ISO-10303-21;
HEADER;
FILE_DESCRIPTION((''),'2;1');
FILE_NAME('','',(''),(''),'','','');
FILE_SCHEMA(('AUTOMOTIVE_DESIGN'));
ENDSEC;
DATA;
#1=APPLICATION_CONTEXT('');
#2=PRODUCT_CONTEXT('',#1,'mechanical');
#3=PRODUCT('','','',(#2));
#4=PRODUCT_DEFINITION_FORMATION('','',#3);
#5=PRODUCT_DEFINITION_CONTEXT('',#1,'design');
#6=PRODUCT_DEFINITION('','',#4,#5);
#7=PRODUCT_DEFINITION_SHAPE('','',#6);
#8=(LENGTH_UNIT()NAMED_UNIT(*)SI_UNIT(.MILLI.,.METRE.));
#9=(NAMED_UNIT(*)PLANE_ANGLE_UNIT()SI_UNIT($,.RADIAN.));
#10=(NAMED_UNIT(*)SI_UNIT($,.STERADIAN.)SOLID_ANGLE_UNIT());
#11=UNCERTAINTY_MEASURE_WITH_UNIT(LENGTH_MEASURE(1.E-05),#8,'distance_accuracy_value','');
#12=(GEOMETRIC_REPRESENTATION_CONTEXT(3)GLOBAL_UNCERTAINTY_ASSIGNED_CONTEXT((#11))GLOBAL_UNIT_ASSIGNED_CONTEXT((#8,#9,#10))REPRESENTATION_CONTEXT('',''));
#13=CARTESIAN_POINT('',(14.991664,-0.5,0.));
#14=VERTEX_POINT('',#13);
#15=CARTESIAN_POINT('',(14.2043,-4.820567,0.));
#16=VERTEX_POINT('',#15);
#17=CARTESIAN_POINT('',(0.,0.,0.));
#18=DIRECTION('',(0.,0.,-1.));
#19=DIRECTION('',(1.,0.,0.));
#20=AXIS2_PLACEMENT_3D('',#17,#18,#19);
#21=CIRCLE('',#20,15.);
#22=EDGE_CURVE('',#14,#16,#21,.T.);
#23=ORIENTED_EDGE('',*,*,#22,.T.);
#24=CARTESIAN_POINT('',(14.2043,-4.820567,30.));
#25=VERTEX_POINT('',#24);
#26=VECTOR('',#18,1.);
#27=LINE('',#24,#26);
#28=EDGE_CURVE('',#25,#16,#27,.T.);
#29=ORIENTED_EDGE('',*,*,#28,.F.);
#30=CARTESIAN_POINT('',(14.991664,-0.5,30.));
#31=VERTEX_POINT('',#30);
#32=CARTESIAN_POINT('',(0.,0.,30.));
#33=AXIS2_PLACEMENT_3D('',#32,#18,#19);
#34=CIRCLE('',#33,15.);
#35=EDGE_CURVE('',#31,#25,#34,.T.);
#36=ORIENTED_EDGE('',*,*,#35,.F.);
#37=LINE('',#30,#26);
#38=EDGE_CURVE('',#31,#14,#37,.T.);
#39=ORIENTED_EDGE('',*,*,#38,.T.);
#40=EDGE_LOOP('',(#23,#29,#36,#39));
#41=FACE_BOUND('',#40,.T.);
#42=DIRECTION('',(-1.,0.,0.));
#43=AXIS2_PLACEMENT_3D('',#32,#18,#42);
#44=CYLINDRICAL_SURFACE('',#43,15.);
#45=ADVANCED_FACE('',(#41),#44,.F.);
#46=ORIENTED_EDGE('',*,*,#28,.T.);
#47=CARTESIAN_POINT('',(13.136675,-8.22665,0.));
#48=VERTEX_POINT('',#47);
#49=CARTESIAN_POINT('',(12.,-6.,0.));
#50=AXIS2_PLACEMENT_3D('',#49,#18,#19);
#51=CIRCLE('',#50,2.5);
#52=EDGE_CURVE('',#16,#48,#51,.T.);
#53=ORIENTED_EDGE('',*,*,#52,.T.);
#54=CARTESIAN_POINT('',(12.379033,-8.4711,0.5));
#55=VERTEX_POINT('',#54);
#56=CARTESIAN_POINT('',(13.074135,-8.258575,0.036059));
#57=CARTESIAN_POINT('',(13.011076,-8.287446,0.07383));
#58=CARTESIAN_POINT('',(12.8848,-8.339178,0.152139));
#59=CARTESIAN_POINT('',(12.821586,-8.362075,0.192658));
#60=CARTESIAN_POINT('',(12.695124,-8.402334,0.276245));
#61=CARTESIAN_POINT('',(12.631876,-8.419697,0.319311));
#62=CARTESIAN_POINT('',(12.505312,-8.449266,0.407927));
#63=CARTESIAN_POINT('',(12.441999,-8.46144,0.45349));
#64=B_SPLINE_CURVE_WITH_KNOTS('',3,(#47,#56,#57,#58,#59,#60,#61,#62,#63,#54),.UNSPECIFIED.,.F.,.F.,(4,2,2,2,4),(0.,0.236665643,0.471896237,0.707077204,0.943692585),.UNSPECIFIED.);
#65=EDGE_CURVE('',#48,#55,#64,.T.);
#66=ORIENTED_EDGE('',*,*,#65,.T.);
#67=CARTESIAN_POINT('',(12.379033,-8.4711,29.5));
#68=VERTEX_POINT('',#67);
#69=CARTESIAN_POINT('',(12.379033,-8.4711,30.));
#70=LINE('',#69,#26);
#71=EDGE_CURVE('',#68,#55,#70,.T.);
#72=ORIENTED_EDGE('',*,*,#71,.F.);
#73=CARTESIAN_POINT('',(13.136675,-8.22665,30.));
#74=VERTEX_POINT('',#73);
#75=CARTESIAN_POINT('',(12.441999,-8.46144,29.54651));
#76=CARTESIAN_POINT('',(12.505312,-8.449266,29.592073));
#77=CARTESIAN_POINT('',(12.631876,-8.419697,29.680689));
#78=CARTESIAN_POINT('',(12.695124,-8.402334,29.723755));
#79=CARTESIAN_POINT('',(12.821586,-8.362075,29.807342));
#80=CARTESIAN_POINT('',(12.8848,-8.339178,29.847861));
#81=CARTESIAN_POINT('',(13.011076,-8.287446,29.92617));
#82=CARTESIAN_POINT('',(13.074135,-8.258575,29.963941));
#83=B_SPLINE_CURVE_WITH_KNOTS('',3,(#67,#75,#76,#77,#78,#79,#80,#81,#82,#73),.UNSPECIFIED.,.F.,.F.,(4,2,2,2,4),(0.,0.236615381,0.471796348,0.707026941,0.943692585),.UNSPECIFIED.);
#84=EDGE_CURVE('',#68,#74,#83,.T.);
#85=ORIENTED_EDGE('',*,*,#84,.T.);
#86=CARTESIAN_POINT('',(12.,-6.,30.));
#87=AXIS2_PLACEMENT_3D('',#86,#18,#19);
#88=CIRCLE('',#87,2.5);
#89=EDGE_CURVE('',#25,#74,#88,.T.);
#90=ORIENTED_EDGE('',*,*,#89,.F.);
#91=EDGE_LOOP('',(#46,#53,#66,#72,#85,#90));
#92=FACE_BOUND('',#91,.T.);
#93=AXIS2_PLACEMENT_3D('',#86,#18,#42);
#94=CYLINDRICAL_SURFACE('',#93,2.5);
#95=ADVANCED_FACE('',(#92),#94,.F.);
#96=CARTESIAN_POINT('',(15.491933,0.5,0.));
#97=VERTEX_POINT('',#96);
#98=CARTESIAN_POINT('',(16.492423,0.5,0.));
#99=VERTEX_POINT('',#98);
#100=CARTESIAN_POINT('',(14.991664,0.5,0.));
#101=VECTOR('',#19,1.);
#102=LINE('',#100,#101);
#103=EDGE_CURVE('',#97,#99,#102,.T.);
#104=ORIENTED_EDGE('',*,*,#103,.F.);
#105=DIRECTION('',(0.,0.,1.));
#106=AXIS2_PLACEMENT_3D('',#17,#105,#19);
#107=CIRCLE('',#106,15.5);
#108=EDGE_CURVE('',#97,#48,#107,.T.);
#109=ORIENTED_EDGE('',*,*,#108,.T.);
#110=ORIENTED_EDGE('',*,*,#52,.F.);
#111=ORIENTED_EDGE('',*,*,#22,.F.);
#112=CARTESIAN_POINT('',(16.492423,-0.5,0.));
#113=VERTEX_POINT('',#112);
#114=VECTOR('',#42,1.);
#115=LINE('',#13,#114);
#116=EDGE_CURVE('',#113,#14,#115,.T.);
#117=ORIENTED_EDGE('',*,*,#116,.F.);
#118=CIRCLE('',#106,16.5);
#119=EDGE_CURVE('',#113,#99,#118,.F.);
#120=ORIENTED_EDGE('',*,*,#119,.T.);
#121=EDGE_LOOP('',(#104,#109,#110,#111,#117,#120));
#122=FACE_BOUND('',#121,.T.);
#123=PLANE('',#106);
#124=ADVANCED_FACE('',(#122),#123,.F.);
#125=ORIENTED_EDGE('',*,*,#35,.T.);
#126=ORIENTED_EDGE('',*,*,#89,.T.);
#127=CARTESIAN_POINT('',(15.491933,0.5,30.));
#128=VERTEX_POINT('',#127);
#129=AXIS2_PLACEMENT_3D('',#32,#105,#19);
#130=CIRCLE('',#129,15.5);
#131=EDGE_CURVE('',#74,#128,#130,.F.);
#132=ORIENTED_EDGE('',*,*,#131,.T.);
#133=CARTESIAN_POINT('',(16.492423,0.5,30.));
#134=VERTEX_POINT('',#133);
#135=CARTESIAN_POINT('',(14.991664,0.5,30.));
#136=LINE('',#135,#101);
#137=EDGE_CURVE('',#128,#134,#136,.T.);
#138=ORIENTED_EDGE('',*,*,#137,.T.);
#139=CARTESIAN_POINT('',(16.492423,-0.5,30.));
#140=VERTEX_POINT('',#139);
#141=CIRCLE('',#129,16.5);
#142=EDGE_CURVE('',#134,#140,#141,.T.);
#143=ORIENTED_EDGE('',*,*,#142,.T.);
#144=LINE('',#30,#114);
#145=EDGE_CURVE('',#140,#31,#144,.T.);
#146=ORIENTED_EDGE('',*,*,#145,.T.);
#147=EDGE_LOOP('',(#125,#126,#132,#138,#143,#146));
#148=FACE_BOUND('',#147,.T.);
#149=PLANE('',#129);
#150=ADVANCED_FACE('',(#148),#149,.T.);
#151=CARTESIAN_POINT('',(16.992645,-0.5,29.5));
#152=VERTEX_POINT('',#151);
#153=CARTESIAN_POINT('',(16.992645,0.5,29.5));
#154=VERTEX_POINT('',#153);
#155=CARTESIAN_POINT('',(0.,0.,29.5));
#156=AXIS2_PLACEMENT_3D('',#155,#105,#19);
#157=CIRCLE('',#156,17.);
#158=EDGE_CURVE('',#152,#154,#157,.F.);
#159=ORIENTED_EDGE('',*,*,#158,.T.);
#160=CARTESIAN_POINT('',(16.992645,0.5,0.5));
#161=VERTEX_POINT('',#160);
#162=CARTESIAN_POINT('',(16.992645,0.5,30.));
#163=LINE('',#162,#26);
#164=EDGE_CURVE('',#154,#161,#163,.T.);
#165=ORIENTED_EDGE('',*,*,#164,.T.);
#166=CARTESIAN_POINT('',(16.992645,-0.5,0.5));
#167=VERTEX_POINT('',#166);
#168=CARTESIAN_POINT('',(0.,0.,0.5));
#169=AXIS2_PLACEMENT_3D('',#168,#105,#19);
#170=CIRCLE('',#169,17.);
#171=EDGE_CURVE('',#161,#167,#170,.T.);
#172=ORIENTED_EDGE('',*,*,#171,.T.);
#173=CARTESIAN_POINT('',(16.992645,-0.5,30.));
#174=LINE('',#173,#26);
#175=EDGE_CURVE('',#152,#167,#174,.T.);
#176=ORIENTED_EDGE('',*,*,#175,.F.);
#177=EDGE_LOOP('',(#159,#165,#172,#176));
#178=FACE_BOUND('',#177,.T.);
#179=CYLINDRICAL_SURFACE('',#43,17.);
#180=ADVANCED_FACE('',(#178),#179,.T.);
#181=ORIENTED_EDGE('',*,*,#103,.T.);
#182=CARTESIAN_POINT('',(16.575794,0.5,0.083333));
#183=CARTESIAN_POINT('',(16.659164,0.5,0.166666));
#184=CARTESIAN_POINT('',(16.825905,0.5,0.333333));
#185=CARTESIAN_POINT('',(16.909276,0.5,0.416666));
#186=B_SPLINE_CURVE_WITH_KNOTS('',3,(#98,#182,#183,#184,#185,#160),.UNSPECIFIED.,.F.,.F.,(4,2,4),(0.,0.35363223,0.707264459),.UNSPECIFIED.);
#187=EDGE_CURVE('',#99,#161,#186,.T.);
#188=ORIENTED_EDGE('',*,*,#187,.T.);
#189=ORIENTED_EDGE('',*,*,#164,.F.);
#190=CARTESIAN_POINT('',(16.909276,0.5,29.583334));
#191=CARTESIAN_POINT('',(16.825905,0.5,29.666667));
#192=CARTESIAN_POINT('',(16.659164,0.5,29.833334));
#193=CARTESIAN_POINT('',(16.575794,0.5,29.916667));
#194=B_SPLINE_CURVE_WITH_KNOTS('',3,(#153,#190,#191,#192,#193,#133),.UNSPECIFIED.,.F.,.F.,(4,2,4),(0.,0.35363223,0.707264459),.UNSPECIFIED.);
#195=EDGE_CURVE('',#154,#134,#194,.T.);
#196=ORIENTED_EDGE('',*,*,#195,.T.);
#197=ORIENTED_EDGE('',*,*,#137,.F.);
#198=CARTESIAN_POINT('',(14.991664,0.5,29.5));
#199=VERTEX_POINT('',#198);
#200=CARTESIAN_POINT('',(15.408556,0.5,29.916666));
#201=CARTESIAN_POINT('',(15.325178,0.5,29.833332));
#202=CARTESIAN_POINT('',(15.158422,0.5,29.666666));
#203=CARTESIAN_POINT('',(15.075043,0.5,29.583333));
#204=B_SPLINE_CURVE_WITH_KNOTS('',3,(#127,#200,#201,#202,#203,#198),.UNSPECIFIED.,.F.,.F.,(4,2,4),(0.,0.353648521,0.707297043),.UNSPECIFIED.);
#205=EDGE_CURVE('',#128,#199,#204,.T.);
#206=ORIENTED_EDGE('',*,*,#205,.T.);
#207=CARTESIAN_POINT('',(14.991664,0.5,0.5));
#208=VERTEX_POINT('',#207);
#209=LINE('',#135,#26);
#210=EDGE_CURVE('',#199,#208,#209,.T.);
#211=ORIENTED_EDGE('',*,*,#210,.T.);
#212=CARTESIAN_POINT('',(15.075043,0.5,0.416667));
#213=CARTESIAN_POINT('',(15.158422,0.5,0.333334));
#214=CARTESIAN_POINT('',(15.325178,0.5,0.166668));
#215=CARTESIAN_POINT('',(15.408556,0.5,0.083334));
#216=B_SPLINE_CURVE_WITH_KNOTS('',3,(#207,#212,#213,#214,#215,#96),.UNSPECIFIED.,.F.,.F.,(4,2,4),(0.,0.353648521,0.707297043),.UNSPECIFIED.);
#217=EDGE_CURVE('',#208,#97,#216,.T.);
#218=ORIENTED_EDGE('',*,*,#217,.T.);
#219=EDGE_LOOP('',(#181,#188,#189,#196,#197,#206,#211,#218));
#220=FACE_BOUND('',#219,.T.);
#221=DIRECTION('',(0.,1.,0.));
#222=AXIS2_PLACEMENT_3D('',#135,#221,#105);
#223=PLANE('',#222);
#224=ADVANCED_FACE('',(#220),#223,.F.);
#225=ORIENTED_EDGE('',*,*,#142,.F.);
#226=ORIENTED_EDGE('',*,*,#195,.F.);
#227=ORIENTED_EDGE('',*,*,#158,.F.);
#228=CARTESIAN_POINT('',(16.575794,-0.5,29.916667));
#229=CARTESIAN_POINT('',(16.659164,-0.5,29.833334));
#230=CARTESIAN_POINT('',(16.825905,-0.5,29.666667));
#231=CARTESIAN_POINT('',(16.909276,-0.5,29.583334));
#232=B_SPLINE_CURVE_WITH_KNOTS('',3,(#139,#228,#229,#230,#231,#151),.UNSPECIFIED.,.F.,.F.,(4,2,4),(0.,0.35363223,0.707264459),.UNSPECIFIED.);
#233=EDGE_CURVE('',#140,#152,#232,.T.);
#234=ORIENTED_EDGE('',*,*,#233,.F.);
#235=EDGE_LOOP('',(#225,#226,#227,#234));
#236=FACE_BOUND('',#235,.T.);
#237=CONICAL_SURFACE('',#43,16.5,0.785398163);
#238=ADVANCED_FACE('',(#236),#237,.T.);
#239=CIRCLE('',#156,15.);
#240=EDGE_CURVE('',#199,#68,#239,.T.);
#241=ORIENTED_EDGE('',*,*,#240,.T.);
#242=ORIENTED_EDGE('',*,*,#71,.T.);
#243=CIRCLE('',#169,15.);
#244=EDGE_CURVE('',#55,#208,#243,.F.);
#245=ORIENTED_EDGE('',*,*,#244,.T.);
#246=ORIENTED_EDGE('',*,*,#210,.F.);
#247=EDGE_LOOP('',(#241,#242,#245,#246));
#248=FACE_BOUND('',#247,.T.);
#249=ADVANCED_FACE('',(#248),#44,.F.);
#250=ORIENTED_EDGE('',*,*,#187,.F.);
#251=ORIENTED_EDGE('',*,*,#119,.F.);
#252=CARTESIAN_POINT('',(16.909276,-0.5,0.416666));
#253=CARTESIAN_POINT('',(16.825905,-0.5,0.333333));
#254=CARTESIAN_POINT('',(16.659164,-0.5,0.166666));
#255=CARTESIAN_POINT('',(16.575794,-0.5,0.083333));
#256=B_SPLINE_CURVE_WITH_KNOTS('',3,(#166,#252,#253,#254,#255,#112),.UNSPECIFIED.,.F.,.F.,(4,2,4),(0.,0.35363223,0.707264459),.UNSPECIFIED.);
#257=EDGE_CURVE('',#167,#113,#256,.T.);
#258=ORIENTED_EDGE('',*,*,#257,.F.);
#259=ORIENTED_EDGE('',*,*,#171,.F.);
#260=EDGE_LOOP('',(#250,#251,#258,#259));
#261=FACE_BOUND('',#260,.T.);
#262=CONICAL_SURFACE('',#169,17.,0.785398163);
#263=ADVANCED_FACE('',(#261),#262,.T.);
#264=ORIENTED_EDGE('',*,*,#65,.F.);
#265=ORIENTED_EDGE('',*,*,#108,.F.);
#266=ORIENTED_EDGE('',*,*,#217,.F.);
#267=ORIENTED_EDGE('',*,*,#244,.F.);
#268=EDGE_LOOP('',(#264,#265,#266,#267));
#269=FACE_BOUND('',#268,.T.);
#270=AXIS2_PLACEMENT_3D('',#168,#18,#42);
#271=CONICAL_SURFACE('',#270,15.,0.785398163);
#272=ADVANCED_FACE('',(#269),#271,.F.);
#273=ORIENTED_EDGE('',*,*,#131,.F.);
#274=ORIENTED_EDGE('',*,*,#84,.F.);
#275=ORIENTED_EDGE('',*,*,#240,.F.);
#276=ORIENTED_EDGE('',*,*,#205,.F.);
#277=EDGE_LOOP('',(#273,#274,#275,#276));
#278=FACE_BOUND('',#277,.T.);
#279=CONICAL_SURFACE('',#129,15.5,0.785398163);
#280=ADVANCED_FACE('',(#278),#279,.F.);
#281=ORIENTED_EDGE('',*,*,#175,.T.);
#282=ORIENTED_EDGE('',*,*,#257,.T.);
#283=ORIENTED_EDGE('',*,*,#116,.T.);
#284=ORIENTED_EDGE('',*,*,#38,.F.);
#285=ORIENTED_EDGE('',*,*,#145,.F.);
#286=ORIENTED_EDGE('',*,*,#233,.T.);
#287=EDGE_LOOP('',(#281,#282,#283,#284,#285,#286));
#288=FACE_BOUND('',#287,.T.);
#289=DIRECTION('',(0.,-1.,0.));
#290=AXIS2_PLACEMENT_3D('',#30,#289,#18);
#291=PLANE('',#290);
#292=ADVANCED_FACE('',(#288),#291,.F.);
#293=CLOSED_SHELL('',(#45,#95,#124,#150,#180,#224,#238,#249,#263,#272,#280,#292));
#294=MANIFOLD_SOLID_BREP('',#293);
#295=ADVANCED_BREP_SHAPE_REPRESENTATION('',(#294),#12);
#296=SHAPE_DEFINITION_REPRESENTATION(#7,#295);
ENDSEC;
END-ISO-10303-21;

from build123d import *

# Parameters (mm, degrees)
BASE_EXTRUSION_DEPTH = 30
CHANFREIN1_SIZE      = 0.5


with BuildPart() as part:
    # Esquisse1 → Base-Extrusion (new body)
    with BuildSketch(Plane.XY):
        with BuildLine():
            Line((14.991664351, 0.5), (16.992645468, 0.5))
            ThreePointArc((16.992645468, 0.5), (-17, 0), (16.992645468, -0.5))
            Line((16.992645468, -0.5), (14.991664351, -0.5))
            ThreePointArc((14.991664351, -0.5), (14.756961273, -2.689255286), (14.204299838, -4.820566991))
            ThreePointArc((14.204299838, -4.820566991), (14.236067977, -7.118033989), (12.379033495, -8.471099676))
            ThreePointArc((12.379033495, -8.471099676), (-14.401698945, 4.194170658), (14.991664351, 0.5))
        make_face()
    extrude(amount=BASE_EXTRUSION_DEPTH)

    # Chanfrein1
    chanfrein1_edges = [part.edges().sort_by_distance(p)[0] for p in [
        (-14.401698945, 4.194170658, 30),
        (-17, 0, 30),
        (-17, 0, 0),
        (-14.401698945, 4.194170658, 0),
    ]]
    chamfer(chanfrein1_edges, length=CHANFREIN1_SIZE)


solid = part.part
